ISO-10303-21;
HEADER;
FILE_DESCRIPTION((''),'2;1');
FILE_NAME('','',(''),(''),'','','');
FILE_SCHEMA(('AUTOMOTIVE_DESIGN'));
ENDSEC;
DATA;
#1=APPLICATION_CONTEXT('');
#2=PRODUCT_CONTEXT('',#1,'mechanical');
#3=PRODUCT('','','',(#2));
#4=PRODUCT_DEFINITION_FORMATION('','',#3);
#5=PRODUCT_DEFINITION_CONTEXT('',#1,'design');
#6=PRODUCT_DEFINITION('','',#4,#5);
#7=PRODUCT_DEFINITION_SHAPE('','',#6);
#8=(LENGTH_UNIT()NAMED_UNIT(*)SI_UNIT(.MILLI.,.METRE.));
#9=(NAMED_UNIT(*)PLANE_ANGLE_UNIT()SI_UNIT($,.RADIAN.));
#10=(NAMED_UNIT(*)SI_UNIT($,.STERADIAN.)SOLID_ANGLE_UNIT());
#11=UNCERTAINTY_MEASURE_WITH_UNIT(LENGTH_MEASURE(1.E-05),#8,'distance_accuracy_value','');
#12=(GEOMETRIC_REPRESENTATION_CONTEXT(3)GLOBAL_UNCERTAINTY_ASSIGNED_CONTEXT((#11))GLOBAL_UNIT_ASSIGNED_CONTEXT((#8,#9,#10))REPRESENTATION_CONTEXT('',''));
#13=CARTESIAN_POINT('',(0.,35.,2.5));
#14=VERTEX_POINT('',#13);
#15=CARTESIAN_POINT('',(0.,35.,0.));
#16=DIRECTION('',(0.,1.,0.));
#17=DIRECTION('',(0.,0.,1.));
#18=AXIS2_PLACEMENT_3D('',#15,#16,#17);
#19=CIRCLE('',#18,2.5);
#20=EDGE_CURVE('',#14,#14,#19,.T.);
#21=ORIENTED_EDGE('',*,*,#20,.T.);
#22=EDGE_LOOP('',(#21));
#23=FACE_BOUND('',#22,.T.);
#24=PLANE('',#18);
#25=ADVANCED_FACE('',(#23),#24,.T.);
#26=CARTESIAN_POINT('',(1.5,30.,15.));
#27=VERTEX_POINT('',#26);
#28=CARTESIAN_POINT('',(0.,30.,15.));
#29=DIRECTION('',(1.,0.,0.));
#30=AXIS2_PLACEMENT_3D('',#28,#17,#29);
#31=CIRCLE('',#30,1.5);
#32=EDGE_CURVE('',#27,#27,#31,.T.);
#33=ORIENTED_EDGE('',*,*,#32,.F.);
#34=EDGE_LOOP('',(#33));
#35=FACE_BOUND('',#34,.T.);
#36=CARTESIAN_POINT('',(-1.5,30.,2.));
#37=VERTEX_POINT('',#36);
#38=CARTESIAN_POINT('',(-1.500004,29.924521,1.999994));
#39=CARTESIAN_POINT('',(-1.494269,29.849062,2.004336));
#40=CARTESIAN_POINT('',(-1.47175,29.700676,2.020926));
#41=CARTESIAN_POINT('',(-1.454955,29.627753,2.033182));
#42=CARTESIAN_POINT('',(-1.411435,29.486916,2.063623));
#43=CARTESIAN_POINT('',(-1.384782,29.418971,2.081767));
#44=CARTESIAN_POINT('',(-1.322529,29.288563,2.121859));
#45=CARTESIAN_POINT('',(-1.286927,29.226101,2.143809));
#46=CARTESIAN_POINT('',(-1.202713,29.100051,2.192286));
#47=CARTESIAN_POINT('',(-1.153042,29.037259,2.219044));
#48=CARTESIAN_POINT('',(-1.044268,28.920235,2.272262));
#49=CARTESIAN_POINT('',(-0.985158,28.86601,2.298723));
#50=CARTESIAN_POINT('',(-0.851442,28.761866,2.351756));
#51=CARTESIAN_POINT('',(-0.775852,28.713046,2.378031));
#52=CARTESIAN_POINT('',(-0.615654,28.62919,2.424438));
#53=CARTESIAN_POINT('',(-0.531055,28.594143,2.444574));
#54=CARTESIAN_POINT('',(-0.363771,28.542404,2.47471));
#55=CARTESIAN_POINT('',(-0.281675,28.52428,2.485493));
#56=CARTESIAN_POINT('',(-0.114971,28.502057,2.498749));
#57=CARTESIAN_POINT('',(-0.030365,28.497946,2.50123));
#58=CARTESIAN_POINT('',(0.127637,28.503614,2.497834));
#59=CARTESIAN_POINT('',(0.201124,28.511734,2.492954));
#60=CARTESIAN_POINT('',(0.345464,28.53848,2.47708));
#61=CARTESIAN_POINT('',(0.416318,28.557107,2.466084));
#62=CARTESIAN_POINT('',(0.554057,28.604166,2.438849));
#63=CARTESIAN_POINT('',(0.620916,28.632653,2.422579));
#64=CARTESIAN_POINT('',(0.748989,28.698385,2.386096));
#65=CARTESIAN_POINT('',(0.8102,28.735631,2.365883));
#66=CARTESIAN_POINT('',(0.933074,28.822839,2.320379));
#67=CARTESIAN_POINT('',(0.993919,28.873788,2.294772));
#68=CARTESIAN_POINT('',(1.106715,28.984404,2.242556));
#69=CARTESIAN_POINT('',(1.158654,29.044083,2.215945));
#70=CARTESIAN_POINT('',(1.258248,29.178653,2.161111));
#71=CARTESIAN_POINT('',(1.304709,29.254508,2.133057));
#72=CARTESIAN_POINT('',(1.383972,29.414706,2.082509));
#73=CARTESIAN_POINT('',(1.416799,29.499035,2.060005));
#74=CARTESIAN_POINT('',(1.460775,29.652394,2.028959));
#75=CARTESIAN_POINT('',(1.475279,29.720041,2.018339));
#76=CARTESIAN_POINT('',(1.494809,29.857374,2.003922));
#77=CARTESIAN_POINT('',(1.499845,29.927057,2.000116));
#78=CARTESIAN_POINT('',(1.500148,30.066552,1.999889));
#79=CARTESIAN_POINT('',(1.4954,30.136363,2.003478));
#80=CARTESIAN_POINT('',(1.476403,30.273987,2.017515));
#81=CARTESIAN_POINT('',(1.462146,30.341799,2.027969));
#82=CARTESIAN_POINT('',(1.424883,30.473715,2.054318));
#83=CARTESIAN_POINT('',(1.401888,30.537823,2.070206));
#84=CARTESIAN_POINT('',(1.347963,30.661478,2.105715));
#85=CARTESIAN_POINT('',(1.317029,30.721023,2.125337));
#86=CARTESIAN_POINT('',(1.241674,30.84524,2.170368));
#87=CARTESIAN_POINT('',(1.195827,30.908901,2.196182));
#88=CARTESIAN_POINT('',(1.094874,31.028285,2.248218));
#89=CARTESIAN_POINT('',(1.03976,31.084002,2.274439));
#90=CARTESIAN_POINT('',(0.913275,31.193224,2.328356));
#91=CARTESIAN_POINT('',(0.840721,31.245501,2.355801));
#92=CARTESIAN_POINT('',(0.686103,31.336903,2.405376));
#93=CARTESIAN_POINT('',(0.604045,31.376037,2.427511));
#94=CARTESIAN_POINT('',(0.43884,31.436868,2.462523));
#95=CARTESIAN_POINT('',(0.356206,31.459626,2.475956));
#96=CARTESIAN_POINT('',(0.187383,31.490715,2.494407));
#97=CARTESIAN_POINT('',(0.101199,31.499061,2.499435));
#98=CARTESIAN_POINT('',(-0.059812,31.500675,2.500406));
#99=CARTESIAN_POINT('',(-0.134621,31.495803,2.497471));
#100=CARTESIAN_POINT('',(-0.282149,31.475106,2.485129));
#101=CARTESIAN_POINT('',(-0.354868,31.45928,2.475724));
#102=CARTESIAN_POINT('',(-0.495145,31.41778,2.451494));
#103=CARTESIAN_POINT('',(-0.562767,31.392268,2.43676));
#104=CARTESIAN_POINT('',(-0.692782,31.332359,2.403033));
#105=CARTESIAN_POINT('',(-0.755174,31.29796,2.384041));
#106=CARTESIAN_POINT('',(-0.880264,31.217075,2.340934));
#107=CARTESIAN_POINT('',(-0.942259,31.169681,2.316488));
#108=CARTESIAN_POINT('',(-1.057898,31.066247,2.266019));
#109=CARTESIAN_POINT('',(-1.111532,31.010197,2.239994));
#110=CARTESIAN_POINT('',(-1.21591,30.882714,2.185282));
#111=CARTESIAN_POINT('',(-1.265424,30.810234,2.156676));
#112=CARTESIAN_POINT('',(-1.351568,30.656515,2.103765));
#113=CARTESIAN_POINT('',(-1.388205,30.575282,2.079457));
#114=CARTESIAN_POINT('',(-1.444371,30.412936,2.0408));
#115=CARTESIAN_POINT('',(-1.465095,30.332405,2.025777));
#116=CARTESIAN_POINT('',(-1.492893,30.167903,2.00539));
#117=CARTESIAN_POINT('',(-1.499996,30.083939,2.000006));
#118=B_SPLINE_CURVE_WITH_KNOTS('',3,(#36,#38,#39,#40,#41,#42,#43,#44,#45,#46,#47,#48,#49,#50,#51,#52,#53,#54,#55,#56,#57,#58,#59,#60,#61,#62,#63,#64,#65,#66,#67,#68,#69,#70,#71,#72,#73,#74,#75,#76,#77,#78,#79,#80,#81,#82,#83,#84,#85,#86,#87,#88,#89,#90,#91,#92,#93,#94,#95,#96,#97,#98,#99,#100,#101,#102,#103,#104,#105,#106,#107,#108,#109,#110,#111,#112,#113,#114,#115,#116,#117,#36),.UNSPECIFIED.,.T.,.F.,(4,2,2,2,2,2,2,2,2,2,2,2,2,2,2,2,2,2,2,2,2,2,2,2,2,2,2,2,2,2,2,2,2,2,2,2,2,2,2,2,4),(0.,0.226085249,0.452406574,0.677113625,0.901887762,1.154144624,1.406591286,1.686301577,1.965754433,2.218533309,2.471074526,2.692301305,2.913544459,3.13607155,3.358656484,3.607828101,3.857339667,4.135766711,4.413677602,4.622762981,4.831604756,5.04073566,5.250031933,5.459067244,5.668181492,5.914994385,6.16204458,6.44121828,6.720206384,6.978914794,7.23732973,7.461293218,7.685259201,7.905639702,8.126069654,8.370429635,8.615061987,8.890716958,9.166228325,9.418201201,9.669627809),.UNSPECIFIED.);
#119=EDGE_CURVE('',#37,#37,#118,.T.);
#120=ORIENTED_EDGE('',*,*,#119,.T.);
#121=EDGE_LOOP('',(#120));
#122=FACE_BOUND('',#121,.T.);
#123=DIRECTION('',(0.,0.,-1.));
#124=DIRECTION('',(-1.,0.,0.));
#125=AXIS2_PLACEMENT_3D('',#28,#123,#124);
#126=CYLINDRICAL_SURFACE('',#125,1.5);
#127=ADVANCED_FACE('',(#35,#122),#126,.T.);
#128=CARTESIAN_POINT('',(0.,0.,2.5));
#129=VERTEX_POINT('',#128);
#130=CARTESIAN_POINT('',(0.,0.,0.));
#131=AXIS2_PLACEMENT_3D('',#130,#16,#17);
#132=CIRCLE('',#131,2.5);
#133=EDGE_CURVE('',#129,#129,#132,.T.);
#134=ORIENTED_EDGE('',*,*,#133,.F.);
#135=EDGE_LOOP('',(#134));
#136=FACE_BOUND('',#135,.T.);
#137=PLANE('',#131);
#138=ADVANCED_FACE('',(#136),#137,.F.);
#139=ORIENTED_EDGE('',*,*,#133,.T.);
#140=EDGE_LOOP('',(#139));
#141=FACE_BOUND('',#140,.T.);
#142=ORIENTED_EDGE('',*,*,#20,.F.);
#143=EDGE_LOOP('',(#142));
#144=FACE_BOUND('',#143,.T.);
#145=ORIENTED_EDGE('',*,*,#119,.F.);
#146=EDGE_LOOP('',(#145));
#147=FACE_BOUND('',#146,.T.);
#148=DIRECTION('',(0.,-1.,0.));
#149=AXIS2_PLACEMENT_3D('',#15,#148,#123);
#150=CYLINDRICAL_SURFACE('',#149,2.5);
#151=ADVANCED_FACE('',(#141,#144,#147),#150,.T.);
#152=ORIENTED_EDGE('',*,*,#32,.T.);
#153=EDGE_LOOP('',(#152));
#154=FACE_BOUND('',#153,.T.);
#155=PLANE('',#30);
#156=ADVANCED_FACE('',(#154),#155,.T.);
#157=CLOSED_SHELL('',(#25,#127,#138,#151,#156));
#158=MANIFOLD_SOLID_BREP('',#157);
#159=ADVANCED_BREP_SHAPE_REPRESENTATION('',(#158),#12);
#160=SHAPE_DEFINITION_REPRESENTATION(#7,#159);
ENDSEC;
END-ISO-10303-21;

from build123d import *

# Parameters (mm, degrees)
SKETCH1_R           = 2.5
BOSS_EXTRUDE1_DEPTH = 35
SKETCH4_R           = 1.5
BOSS_EXTRUDE3_DEPTH = 15


with BuildPart() as part:
    # Sketch1 → Boss-Extrude1 (new body)
    with BuildSketch(Plane(origin=(0, 0, 0), x_dir=(1, 0, 0), z_dir=(0, 1, 0))):
        Circle(SKETCH1_R)
    extrude(amount=BOSS_EXTRUDE1_DEPTH)

    # Sketch4 → Boss-Extrude3 (add)
    with BuildSketch(Plane.XY):
        with Locations((0, 30)):
            Circle(SKETCH4_R)
    extrude(amount=BOSS_EXTRUDE3_DEPTH)


solid = part.part
